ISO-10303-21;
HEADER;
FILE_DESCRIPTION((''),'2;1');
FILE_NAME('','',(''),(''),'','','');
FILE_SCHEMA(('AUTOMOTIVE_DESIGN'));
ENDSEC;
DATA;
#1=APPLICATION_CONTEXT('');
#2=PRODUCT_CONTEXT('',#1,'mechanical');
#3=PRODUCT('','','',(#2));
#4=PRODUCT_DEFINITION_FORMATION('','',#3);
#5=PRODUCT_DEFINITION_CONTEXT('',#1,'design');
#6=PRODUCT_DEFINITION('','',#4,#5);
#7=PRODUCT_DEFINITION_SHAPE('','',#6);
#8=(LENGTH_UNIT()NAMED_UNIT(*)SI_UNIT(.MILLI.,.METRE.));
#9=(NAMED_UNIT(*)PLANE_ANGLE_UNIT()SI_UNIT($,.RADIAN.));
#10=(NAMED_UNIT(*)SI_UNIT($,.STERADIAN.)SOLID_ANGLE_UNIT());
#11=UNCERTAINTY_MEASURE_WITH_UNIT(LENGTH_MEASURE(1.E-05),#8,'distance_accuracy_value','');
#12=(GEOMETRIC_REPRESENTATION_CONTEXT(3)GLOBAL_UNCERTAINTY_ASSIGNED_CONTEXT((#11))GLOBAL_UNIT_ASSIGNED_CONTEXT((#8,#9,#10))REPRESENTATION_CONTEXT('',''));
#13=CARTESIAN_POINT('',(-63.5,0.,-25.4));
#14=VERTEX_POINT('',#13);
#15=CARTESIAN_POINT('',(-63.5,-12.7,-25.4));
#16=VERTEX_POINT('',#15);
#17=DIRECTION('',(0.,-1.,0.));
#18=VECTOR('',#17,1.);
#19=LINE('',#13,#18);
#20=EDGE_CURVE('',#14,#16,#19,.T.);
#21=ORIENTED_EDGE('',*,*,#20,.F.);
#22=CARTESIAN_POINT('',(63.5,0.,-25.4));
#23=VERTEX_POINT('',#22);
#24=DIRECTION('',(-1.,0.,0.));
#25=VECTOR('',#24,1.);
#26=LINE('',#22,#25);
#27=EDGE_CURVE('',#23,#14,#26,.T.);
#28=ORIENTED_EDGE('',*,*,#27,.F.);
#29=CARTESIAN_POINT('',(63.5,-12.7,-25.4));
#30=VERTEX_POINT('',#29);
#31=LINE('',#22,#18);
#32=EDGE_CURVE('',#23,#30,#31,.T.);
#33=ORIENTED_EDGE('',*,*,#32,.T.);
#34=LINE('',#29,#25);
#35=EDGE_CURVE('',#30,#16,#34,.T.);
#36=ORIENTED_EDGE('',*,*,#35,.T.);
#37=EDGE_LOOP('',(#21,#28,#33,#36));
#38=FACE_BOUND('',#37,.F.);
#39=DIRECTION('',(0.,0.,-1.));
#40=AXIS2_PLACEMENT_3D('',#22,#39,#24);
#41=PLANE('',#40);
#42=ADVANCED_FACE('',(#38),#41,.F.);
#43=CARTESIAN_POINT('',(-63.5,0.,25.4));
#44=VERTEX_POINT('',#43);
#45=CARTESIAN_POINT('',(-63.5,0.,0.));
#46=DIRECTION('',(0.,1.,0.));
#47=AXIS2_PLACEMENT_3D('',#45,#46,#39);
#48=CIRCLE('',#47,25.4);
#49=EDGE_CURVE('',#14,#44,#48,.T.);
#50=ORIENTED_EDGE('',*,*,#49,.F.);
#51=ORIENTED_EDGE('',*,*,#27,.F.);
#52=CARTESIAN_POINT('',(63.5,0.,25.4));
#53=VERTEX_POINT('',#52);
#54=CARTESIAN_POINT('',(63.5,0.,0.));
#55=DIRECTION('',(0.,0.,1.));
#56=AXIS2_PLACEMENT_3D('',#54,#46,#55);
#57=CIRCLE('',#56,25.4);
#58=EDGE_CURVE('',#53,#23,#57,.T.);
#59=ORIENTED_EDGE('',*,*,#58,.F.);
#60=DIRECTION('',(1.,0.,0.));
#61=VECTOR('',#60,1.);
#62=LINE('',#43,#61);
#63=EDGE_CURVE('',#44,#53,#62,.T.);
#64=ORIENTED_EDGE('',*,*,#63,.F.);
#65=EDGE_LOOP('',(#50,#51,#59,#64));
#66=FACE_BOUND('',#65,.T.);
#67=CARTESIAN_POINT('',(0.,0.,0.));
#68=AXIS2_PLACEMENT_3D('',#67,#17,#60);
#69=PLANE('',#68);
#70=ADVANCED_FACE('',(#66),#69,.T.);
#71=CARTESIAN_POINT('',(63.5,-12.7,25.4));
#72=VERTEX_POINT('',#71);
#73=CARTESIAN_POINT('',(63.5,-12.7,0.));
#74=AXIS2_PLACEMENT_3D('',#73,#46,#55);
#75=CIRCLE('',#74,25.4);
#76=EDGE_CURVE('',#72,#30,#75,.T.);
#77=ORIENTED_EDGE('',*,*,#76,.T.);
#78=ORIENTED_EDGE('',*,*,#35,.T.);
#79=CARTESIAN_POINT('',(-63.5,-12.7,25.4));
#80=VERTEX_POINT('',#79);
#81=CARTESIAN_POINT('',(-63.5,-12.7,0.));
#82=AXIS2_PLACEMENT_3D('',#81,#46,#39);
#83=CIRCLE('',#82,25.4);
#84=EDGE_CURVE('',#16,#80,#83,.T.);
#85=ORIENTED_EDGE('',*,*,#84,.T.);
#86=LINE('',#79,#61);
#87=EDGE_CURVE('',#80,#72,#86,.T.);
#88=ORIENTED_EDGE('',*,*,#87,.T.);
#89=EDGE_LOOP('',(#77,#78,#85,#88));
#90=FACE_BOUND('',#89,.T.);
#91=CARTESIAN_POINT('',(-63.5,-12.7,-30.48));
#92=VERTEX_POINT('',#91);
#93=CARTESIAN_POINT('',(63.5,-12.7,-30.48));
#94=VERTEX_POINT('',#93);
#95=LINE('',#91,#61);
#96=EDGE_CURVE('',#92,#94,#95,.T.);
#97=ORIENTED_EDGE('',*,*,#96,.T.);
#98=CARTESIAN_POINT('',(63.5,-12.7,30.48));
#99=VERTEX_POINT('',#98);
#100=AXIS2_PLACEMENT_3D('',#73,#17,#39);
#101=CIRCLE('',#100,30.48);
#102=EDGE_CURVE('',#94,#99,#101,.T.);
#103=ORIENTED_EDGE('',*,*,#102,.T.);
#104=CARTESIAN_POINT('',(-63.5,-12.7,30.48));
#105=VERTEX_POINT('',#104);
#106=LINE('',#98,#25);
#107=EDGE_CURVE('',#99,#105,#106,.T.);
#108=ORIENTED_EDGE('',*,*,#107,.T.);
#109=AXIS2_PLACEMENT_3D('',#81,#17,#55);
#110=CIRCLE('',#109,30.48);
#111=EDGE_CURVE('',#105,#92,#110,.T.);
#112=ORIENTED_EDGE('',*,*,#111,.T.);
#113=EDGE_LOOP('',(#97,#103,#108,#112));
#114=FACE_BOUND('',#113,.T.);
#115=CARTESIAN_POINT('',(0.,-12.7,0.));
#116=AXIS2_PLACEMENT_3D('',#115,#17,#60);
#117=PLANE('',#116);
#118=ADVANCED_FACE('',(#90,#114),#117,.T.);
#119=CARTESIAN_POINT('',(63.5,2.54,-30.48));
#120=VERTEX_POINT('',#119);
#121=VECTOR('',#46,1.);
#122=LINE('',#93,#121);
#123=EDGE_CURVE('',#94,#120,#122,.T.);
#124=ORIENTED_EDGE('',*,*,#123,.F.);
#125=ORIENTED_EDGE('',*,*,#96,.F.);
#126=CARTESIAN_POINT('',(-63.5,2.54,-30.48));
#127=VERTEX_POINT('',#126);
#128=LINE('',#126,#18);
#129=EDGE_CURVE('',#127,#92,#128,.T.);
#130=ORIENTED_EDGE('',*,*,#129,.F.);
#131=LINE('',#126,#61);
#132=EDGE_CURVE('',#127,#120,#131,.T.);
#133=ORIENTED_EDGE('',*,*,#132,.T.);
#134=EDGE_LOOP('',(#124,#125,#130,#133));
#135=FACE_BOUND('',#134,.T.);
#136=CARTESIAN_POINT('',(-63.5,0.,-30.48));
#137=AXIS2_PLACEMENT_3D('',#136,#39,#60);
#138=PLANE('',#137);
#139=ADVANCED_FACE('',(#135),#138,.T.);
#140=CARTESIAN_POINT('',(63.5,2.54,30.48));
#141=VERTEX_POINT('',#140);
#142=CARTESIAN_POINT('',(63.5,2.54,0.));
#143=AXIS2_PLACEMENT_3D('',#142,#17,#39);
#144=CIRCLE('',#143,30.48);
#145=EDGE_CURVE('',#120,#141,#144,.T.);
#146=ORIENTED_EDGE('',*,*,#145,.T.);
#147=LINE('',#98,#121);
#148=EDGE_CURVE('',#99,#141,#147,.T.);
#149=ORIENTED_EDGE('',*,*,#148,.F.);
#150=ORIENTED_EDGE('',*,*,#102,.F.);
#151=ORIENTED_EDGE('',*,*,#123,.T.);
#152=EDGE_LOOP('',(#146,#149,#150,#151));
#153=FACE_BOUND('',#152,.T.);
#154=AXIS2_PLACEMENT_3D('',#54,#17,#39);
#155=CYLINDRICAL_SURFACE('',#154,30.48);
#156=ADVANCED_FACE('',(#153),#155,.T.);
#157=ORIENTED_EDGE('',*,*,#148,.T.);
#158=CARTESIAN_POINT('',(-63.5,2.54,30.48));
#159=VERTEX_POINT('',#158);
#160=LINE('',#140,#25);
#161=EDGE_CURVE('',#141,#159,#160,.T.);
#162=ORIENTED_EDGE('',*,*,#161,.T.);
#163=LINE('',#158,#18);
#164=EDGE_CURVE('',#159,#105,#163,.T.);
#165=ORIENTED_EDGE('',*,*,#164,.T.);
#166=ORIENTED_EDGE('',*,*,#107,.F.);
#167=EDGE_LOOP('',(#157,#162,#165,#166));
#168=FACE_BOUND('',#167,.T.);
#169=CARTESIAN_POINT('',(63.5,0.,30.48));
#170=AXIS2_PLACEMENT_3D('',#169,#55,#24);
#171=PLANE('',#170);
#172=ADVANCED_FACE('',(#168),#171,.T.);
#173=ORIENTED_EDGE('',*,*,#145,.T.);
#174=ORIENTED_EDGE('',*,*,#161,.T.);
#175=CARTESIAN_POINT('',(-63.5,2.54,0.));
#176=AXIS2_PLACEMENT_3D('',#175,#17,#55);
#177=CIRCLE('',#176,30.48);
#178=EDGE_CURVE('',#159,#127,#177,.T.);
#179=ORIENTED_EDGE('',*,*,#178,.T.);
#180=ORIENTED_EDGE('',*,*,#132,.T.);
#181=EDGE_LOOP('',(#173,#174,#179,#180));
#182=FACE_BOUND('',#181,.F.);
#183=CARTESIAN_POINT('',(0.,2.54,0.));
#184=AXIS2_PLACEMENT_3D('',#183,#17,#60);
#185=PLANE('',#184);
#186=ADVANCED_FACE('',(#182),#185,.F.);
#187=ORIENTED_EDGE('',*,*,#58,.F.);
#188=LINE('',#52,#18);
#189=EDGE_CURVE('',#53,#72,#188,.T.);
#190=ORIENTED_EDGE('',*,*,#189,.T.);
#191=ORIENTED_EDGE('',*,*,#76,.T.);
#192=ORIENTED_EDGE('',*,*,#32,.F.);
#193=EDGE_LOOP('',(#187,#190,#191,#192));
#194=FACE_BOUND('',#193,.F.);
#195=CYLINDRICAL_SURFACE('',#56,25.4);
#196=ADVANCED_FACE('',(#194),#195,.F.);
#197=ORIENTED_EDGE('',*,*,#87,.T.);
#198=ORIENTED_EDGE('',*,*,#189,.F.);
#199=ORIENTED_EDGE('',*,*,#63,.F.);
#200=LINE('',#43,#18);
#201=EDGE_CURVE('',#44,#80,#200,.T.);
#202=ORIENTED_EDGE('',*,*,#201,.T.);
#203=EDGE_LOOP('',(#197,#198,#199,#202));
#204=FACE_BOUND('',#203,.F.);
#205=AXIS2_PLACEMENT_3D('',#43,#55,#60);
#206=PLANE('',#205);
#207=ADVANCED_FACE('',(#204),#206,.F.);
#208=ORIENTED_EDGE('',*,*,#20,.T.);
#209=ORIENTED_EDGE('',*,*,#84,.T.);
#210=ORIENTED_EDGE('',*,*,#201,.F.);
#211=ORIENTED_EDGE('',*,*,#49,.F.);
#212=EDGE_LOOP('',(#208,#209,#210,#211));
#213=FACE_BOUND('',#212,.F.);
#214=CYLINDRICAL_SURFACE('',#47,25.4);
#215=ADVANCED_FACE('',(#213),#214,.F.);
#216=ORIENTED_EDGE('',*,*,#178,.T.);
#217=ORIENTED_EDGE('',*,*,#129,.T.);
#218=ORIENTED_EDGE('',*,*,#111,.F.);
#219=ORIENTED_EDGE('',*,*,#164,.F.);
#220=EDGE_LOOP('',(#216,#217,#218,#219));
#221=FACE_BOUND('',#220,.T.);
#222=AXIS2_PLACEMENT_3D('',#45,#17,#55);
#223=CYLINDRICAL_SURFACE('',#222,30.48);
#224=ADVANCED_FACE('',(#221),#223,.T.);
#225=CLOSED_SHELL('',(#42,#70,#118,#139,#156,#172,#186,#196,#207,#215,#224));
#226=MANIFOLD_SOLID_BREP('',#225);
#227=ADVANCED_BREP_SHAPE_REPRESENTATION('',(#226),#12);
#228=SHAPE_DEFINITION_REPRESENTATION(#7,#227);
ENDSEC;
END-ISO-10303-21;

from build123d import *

# Parameters (mm, degrees)
F1_DEPTH = 12.7
F2_DEPTH = 2.54


with BuildPart() as f1:
    # F0 (on Front) → F1 (new body)
    with BuildSketch(Plane.XZ):
        with BuildLine():
            Line((63.5, 30.48), (-63.5, 30.48))
            ThreePointArc((-63.5, 30.48), (-93.98, 0), (-63.5, -30.48))
            Line((-63.5, -30.48), (63.5, -30.48))
            ThreePointArc((63.5, -30.48), (93.98, 0), (63.5, 30.48))
        make_face()
        with BuildLine():
            Line((63.5, -25.4), (-63.5, -25.4))
            ThreePointArc((-63.5, -25.4), (-88.9, 0), (-63.5, 25.4))
            Line((-63.5, 25.4), (63.5, 25.4))
            ThreePointArc((63.5, 25.4), (88.9, 0), (63.5, -25.4))
        make_face(mode=Mode.SUBTRACT)
    extrude(amount=F1_DEPTH)

    # F0 (on Front) → F2 (join)
    with BuildSketch(Plane.XZ):
        with BuildLine():
            Line((63.5, 30.48), (-63.5, 30.48))
            ThreePointArc((-63.5, 30.48), (-93.98, 0), (-63.5, -30.48))
            Line((-63.5, -30.48), (63.5, -30.48))
            ThreePointArc((63.5, -30.48), (93.98, 0), (63.5, 30.48))
        make_face()
        with BuildLine():
            Line((63.5, -25.4), (-63.5, -25.4))
            ThreePointArc((-63.5, -25.4), (-88.9, 0), (-63.5, 25.4))
            Line((-63.5, 25.4), (63.5, 25.4))
            ThreePointArc((63.5, 25.4), (88.9, 0), (63.5, -25.4))
        make_face(mode=Mode.SUBTRACT)
        with BuildLine():
            ThreePointArc((-63.5, 25.4), (-88.9, 0), (-63.5, -25.4))
            Line((-63.5, -25.4), (63.5, -25.4))
            ThreePointArc((63.5, -25.4), (88.9, 0), (63.5, 25.4))
            Line((63.5, 25.4), (-63.5, 25.4))
        make_face()
    extrude(amount=-F2_DEPTH)


solid = f1.part
